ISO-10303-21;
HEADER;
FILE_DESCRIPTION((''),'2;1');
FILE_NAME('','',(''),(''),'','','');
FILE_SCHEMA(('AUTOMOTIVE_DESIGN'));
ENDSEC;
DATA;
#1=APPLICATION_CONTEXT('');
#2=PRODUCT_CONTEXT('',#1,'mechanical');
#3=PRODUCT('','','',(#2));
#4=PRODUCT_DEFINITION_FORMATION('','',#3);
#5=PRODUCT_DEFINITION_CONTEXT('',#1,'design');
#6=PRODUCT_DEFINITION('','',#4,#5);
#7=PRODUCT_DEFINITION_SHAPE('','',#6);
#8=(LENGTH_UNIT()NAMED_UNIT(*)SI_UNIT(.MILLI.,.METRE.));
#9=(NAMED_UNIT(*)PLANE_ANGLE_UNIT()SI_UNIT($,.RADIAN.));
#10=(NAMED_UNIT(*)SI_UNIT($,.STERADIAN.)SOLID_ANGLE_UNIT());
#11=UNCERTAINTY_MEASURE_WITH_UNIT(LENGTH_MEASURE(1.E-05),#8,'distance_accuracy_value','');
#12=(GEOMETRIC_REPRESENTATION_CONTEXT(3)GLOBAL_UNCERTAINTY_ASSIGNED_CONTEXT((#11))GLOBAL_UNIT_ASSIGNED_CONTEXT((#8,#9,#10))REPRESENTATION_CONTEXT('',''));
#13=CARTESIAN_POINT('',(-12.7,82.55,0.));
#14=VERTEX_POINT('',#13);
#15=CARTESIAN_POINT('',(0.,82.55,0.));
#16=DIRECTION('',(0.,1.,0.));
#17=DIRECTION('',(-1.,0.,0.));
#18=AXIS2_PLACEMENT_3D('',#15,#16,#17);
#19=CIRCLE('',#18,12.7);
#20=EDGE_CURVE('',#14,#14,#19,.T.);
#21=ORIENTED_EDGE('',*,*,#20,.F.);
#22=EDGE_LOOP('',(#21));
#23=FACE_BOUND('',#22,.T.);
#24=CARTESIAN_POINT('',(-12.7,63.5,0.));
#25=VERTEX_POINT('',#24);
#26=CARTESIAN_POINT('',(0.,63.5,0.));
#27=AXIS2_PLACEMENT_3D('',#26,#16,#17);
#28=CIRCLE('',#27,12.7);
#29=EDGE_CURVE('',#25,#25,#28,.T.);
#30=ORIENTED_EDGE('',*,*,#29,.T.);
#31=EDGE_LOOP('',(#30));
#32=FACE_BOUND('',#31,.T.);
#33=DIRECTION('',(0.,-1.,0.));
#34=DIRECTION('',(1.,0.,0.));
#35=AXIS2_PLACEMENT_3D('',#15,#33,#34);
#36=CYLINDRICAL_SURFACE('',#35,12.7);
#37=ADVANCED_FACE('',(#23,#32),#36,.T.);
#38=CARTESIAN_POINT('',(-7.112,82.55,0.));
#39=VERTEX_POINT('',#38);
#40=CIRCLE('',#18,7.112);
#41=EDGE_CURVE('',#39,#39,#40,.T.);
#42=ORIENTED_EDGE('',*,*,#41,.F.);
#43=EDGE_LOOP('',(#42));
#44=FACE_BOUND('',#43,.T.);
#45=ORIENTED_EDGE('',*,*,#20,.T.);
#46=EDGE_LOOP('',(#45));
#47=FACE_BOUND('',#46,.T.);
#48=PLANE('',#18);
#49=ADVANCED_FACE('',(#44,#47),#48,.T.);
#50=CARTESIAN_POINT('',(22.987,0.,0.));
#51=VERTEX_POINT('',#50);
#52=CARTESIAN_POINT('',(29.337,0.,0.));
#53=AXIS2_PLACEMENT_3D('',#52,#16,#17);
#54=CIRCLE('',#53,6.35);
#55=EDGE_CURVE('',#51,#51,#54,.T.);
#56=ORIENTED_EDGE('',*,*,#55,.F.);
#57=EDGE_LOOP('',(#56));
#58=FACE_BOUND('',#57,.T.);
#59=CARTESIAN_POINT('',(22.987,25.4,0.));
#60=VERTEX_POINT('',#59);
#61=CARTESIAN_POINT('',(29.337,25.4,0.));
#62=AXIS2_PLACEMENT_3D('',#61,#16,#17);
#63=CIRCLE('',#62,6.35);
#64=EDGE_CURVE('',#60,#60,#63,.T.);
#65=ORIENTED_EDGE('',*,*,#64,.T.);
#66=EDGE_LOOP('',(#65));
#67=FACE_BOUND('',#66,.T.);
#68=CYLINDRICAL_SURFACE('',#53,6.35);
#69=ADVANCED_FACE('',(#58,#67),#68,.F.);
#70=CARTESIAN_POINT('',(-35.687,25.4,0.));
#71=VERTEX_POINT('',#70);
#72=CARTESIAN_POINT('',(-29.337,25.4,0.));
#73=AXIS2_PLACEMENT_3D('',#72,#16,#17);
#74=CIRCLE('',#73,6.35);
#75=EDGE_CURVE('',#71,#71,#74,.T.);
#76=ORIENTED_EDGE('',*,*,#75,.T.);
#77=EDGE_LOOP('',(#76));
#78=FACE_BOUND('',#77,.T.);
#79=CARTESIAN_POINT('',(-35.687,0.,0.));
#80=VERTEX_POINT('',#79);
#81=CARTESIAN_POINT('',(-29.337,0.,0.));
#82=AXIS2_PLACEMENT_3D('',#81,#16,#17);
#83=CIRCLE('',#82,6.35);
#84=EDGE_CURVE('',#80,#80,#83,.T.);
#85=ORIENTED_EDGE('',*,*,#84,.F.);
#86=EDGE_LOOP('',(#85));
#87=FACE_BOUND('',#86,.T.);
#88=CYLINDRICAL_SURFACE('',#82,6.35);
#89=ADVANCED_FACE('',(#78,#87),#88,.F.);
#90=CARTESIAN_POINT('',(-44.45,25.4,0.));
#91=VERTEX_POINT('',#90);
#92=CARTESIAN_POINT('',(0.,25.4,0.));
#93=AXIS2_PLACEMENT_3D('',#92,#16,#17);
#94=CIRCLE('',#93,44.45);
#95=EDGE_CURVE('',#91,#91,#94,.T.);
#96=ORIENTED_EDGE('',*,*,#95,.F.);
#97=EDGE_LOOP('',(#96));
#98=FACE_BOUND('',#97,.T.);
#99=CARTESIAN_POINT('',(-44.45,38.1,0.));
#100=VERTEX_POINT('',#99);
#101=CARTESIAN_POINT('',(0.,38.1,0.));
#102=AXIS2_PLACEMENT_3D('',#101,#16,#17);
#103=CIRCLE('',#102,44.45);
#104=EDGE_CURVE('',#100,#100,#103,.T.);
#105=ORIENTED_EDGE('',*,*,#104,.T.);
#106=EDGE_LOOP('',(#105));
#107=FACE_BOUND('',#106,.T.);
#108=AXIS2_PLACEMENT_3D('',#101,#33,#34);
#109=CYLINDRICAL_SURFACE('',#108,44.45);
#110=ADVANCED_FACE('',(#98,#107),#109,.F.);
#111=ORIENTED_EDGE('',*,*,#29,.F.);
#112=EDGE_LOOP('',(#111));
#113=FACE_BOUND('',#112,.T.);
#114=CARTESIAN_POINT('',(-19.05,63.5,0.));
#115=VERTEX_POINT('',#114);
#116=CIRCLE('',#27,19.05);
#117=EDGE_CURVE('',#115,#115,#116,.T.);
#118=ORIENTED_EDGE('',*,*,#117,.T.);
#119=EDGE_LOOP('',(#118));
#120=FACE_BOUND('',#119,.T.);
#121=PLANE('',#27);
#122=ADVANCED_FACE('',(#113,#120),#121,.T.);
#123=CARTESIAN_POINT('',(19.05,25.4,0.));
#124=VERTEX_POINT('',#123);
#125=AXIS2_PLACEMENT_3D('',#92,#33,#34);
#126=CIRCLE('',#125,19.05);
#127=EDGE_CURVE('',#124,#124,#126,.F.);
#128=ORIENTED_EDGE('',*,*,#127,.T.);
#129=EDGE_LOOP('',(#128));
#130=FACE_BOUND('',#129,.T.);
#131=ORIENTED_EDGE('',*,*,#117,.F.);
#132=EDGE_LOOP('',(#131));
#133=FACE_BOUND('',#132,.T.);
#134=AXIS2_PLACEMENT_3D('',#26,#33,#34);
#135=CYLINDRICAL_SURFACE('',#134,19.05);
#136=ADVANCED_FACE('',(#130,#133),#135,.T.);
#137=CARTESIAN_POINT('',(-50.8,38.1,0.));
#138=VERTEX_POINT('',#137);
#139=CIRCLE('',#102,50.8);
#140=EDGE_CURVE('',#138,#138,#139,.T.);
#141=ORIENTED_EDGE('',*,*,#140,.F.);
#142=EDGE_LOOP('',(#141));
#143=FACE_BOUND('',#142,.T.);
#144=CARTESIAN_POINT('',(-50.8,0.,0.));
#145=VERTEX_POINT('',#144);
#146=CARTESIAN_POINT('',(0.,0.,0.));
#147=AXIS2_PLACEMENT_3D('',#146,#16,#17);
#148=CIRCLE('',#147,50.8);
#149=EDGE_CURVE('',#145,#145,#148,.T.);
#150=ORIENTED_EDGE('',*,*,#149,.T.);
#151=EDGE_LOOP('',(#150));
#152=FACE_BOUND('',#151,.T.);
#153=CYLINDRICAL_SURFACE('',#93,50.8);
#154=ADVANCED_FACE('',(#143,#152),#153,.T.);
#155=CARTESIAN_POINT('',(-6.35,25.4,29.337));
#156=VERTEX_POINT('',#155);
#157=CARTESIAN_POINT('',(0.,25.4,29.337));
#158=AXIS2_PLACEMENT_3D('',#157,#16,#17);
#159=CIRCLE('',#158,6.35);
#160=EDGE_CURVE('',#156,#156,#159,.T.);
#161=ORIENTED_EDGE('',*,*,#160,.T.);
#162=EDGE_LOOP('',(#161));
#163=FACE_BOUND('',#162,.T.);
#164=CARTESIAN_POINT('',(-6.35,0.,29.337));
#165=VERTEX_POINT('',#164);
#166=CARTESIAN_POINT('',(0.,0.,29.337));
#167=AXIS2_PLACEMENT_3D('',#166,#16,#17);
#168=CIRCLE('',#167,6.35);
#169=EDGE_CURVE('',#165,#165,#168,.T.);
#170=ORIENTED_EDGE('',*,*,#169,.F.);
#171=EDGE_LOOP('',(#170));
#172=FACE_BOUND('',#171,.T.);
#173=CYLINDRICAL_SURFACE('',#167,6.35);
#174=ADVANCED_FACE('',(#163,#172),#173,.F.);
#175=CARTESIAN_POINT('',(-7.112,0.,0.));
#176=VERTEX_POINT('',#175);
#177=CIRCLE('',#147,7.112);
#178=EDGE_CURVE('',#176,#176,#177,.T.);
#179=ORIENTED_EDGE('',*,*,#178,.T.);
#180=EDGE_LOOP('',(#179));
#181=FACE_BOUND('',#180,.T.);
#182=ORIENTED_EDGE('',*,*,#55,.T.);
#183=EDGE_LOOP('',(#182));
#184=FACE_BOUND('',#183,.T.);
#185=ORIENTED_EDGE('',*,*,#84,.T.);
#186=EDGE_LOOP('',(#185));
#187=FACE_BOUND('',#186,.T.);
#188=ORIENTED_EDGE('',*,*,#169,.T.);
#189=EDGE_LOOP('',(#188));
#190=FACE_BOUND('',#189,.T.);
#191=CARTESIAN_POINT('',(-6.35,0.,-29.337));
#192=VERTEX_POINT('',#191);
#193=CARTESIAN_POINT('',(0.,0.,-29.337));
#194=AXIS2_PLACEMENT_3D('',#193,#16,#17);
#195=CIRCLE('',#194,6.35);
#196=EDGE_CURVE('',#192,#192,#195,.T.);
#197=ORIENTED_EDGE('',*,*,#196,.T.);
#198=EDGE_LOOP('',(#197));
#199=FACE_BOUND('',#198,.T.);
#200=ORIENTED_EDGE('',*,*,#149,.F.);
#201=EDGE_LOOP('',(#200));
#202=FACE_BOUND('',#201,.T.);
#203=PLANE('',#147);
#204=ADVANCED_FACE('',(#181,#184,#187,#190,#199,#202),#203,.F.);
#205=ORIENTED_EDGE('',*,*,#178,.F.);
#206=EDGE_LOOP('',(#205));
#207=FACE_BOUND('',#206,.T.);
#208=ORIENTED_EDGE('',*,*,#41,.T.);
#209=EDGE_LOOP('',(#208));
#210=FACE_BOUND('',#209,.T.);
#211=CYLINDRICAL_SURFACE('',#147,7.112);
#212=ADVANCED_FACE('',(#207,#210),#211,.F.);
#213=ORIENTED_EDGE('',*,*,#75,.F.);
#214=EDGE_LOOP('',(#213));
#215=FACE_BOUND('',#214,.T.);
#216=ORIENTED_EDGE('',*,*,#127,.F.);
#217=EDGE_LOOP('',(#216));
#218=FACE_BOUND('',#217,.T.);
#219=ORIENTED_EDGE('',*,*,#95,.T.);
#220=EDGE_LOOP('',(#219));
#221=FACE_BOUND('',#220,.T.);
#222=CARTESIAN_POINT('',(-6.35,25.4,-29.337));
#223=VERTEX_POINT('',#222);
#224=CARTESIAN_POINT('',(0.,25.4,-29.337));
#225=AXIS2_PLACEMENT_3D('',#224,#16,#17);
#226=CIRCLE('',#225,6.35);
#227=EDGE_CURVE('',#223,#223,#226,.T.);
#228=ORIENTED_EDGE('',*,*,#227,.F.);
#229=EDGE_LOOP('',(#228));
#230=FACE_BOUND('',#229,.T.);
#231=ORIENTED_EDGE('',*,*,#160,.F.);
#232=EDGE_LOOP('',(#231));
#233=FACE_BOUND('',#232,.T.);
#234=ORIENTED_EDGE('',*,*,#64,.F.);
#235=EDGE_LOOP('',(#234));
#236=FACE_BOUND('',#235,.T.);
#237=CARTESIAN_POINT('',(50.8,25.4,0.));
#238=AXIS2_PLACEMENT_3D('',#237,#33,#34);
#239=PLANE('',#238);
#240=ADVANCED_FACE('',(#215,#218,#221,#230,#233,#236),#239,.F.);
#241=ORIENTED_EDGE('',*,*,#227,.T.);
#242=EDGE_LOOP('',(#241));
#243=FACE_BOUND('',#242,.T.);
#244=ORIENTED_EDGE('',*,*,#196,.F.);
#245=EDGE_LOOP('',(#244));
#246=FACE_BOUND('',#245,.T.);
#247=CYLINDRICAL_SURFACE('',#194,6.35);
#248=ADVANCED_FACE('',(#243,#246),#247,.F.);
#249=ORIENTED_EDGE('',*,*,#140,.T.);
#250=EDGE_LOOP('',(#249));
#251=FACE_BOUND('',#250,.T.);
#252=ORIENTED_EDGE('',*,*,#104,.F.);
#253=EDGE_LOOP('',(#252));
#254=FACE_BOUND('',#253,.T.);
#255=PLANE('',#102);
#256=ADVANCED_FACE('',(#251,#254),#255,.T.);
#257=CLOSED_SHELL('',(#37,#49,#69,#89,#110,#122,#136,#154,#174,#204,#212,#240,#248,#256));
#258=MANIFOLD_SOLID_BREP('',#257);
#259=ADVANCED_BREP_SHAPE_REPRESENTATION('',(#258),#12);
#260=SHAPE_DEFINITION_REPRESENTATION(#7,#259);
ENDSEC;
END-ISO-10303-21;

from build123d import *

# Parameters (mm, degrees)
SKETCH1_W           = 50.8
SKETCH1_H           = 25.4
SKETCH2_R           = 6.35
CUT_EXTRUDE1_DEPTH  = 26.4
SKETCH4_R           = 50.8
SKETCH4_R_2         = 44.45
BOSS_EXTRUDE1_DEPTH = 12.7
SKETCH6_R           = 19.05
BOSS_EXTRUDE2_DEPTH = 38.1
SKETCH7_R           = 12.7
BOSS_EXTRUDE3_DEPTH = 19.05
SKETCH8_R           = 7.112
CUT_EXTRUDE2_DEPTH  = 83.55


with BuildPart() as part:
    # Sketch1 → Revolve1 (revolve)
    with BuildSketch(Plane.XY):
        with Locations((25.4, 12.7)):
            Rectangle(SKETCH1_W, SKETCH1_H)
    revolve(axis=Axis((0, 25.4, 0), (0, -1, 0)))

    # Sketch2 → Cut-Extrude1 (cut, through all)
    with BuildSketch(Plane(origin=(0, 25.4, 0), x_dir=(1, 0, 0), z_dir=(0, 1, 0))):
        with Locations((29.337, 0)):
            Circle(SKETCH2_R)
        with Locations((0, -29.337)):
            Circle(SKETCH2_R)
        with Locations((-29.337, 0)):
            Circle(SKETCH2_R)
        with Locations((0, 29.337)):
            Circle(SKETCH2_R)
    extrude(amount=-CUT_EXTRUDE1_DEPTH, mode=Mode.SUBTRACT)

    # Sketch4 → Boss-Extrude1 (add)
    with BuildSketch(Plane(origin=(0, 25.4, 0), x_dir=(1, 0, 0), z_dir=(0, 1, 0))):
        Circle(SKETCH4_R)
        Circle(SKETCH4_R_2, mode=Mode.SUBTRACT)
    extrude(amount=BOSS_EXTRUDE1_DEPTH)

    # Sketch6 → Boss-Extrude2 (add)
    with BuildSketch(Plane(origin=(0, 25.4, 0), x_dir=(1, 0, 0), z_dir=(0, 1, 0))):
        Circle(SKETCH6_R)
    extrude(amount=BOSS_EXTRUDE2_DEPTH)

    # Sketch7 → Boss-Extrude3 (add)
    with BuildSketch(Plane(origin=(0, 63.5, 0), x_dir=(1, 0, 0), z_dir=(0, 1, 0))):
        Circle(SKETCH7_R)
    extrude(amount=BOSS_EXTRUDE3_DEPTH)

    # Sketch8 → Cut-Extrude2 (cut, through all)
    with BuildSketch(Plane(origin=(0, 82.55, 0), x_dir=(1, 0, 0), z_dir=(0, 1, 0))):
        Circle(SKETCH8_R)
    extrude(amount=-CUT_EXTRUDE2_DEPTH, mode=Mode.SUBTRACT)


solid = part.part
